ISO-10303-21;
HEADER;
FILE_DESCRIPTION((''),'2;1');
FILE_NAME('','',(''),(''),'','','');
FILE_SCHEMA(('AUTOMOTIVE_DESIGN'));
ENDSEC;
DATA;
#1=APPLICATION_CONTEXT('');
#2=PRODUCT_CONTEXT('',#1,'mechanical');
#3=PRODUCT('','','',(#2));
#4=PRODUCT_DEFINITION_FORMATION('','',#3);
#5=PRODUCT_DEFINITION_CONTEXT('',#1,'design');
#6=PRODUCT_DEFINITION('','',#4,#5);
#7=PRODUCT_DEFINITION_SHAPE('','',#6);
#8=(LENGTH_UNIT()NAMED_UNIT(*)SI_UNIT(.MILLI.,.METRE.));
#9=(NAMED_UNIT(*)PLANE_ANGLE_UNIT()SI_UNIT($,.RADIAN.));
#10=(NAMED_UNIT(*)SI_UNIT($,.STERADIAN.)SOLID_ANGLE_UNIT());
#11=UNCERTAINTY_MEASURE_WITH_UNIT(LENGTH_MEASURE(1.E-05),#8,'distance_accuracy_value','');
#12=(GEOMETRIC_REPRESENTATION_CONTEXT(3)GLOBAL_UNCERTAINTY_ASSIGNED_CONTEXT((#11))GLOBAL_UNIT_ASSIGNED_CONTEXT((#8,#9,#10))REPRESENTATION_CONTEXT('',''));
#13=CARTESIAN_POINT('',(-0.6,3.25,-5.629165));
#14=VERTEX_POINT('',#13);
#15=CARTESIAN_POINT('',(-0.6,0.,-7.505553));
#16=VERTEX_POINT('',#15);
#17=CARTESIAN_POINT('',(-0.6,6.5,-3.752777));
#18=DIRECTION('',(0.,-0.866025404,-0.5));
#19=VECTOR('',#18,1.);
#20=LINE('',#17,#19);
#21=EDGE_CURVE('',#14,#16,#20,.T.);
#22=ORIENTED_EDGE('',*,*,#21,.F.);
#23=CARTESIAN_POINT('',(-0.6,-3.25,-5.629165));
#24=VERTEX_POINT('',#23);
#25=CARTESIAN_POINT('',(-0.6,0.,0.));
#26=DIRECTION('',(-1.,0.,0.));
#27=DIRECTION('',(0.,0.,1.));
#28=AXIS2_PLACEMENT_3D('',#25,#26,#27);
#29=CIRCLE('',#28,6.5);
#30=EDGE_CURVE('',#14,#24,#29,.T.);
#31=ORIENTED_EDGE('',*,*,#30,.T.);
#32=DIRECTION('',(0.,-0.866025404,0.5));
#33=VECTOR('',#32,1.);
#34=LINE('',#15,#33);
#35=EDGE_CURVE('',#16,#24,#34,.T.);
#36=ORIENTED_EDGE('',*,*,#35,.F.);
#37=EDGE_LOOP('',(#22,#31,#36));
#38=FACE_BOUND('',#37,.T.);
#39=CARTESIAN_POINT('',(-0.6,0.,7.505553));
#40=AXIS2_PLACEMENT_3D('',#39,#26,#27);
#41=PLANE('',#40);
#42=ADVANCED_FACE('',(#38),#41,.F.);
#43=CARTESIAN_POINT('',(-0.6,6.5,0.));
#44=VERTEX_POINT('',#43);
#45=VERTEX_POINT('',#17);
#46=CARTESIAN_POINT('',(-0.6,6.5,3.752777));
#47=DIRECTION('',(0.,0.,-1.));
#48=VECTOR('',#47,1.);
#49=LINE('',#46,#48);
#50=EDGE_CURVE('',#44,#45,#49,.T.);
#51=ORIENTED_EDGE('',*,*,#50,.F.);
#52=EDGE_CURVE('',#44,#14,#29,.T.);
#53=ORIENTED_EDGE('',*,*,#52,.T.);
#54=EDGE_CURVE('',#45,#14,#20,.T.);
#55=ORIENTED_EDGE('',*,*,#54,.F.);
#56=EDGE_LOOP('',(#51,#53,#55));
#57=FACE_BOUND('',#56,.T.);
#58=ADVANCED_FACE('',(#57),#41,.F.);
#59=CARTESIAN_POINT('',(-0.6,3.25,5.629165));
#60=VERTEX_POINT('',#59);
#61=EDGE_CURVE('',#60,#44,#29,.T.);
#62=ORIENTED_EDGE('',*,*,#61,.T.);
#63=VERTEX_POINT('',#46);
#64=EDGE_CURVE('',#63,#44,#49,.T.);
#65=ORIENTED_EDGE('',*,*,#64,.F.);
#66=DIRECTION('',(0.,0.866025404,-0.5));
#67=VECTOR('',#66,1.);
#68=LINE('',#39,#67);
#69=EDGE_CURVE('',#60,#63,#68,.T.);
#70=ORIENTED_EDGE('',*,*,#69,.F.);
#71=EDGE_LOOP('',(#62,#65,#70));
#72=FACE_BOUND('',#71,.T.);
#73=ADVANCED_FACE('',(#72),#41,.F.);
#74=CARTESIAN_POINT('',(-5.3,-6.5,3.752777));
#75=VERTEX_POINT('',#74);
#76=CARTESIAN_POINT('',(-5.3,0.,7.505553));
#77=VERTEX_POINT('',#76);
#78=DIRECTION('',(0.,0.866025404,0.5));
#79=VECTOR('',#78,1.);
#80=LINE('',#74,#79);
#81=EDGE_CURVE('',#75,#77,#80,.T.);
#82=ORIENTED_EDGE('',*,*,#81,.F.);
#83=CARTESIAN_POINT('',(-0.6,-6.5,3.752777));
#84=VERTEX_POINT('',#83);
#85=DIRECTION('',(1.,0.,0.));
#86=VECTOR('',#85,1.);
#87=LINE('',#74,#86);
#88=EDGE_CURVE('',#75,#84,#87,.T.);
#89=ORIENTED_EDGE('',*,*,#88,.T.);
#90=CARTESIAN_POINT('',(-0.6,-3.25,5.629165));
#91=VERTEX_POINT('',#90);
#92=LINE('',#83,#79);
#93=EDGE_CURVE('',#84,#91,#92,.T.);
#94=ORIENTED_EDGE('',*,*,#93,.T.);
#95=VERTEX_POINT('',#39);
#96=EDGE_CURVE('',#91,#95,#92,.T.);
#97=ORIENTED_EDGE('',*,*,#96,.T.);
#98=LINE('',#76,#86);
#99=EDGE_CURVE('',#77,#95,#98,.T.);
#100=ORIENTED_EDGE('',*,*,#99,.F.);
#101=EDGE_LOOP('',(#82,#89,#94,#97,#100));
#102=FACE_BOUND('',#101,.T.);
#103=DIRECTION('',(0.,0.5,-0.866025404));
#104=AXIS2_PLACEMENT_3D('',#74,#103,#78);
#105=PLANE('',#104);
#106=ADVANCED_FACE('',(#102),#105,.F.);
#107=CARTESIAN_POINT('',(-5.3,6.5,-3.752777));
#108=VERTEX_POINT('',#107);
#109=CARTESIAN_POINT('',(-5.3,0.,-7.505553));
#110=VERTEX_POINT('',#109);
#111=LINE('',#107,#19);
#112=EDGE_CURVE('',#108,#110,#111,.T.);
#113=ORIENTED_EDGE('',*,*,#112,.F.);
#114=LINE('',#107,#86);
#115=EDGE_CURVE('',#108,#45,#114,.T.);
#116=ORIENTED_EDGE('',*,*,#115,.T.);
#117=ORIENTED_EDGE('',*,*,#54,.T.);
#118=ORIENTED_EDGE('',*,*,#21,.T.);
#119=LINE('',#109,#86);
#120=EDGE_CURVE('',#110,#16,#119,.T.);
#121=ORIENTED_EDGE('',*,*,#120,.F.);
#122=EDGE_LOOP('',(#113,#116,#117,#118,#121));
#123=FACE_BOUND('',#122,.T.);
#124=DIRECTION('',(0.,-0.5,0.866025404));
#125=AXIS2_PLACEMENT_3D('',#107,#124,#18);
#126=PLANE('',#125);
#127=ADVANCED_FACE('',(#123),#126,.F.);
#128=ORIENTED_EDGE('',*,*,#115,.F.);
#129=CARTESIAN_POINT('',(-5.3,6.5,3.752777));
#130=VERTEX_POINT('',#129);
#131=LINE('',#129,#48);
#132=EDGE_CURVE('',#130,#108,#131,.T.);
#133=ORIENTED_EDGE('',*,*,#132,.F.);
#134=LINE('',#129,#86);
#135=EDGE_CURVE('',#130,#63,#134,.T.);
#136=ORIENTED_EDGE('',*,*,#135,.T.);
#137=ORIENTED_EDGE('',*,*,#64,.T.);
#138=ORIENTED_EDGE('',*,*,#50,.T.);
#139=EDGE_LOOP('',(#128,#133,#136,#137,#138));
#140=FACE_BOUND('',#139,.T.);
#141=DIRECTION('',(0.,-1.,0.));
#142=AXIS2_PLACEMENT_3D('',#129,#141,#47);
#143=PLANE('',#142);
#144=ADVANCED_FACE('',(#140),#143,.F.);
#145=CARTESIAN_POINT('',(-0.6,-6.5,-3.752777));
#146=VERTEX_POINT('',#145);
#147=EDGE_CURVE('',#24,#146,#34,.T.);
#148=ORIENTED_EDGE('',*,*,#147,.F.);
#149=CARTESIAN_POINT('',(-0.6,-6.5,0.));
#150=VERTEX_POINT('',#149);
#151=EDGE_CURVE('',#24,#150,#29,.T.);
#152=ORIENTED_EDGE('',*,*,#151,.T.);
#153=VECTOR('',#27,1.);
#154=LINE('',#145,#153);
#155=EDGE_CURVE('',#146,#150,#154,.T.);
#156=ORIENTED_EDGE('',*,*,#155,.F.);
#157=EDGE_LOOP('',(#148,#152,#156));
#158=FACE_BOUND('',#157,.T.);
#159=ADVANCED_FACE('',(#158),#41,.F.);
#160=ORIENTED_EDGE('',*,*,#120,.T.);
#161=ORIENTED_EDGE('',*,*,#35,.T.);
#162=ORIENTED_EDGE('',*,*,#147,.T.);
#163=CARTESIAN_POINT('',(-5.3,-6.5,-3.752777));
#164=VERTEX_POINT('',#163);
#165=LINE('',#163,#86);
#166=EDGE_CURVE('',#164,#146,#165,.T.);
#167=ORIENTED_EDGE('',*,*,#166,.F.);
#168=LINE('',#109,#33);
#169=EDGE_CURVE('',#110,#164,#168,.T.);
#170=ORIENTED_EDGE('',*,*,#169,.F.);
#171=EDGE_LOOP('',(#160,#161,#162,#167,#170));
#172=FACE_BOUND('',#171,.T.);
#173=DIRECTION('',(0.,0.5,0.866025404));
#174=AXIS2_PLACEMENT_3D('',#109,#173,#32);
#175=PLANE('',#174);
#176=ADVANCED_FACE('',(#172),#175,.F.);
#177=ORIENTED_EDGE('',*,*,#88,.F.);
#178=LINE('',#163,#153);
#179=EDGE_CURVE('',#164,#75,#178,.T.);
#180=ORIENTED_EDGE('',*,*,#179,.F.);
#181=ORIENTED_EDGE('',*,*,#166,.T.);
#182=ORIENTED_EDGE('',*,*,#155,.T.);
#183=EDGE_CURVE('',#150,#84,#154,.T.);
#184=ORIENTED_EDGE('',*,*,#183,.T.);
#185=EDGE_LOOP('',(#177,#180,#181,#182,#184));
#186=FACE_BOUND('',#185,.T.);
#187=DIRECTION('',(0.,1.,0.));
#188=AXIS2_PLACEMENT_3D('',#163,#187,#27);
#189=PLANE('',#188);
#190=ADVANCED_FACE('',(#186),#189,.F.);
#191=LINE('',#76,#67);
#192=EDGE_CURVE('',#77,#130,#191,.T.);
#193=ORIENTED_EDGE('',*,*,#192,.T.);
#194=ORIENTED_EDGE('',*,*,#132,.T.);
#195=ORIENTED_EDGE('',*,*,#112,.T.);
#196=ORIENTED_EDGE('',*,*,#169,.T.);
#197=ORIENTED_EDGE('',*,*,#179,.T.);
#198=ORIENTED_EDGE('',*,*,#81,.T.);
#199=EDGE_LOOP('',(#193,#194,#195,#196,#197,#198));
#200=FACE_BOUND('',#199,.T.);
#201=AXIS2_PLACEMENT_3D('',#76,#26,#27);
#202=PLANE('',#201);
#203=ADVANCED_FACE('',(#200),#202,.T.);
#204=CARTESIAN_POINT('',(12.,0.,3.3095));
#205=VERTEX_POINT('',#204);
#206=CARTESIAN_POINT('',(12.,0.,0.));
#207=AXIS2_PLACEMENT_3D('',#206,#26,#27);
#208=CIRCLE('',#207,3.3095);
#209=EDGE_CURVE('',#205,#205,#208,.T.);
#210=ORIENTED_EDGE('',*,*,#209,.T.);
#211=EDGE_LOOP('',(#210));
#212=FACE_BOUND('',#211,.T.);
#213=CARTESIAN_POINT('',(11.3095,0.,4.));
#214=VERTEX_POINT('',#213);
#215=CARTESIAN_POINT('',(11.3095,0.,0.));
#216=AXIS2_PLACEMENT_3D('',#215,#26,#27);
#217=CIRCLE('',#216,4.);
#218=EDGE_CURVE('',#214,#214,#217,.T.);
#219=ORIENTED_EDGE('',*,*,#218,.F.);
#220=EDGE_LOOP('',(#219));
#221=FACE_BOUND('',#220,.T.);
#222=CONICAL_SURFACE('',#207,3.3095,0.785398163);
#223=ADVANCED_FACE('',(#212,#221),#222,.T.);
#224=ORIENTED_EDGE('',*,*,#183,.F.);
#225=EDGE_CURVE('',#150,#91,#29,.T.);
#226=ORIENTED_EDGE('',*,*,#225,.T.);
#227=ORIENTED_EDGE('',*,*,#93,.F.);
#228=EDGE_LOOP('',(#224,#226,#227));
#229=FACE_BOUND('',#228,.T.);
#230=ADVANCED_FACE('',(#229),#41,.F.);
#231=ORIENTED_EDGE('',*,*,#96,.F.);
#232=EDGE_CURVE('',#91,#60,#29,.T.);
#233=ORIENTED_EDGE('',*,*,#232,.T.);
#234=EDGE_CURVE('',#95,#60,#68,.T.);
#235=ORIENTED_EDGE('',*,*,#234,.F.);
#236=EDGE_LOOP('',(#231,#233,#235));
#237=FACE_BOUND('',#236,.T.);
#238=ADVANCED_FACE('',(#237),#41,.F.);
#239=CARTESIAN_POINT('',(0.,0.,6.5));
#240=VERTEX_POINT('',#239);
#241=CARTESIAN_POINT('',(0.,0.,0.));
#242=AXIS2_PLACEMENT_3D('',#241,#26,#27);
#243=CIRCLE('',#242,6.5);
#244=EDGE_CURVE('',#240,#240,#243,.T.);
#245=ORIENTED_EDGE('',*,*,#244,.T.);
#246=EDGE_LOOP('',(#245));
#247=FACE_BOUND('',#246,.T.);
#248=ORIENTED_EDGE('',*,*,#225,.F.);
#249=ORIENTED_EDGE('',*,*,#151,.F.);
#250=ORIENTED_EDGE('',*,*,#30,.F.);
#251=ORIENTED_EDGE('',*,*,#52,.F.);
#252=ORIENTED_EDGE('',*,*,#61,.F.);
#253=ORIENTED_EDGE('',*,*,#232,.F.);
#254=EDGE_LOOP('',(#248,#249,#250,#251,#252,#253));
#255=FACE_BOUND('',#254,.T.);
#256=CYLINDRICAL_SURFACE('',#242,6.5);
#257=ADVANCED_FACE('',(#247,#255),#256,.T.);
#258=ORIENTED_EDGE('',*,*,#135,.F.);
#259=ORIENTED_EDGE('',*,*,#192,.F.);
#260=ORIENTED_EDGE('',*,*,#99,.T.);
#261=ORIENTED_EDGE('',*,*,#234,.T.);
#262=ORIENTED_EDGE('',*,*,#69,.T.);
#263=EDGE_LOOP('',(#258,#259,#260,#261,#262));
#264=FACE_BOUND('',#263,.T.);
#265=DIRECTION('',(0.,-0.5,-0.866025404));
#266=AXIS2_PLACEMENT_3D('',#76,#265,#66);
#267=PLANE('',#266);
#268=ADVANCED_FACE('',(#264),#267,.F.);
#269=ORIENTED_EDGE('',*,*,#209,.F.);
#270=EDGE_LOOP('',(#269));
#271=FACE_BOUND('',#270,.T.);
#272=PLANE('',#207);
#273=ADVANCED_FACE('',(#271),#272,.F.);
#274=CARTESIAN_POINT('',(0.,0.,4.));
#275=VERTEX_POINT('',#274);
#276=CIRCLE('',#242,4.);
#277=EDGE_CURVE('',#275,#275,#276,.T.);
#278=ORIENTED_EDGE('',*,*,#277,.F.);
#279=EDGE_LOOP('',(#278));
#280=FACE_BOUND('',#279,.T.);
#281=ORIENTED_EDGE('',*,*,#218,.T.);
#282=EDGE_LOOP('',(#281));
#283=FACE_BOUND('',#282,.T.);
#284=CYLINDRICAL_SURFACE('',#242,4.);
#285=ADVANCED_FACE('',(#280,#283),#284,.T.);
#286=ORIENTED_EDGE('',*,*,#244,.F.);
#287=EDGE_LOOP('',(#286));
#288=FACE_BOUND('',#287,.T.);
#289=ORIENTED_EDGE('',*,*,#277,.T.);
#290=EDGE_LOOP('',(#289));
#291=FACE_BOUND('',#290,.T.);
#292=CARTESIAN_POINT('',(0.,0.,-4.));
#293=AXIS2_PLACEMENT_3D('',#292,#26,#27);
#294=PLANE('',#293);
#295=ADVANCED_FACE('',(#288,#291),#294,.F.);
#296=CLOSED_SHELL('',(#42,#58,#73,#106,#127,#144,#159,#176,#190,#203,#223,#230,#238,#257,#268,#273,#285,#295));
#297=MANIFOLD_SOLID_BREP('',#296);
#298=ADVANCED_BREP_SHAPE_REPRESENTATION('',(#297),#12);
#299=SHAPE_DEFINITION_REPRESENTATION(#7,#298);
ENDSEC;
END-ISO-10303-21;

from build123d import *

# Parameters (mm, degrees)
HEX_2_DEPTH = 4.7


with BuildPart() as part:
    # BodySketch → BaseBody (revolve)
    with BuildSketch(Plane(origin=(0, 0, 0), x_dir=(1, 0, 0), z_dir=(0, 1, 0)), mode=Mode.PRIVATE) as basebody_sk:
        Polygon((11.3095, 4), (12, 3.3095), (12, 0), (-0.6, 0), (-0.6, 6.5), (0, 6.5), (0, 4), align=None)
    revolve(basebody_sk.sketch.rotate(Axis((0, 0, 0), (1, 0, 0)), 180), axis=Axis((0, 0, 0), (1, 0, 0)))

    # HeadSketch → Hex 2 (add)
    with BuildSketch(Plane.ZY.offset(0.6)):
        Polygon((7.505553499, 0), (3.75277675, 6.5), (-3.75277675, 6.5), (-7.505553499, 0), (-3.75277675, -6.5), (3.75277675, -6.5), align=None)
    extrude(amount=HEX_2_DEPTH)


solid = part.part
